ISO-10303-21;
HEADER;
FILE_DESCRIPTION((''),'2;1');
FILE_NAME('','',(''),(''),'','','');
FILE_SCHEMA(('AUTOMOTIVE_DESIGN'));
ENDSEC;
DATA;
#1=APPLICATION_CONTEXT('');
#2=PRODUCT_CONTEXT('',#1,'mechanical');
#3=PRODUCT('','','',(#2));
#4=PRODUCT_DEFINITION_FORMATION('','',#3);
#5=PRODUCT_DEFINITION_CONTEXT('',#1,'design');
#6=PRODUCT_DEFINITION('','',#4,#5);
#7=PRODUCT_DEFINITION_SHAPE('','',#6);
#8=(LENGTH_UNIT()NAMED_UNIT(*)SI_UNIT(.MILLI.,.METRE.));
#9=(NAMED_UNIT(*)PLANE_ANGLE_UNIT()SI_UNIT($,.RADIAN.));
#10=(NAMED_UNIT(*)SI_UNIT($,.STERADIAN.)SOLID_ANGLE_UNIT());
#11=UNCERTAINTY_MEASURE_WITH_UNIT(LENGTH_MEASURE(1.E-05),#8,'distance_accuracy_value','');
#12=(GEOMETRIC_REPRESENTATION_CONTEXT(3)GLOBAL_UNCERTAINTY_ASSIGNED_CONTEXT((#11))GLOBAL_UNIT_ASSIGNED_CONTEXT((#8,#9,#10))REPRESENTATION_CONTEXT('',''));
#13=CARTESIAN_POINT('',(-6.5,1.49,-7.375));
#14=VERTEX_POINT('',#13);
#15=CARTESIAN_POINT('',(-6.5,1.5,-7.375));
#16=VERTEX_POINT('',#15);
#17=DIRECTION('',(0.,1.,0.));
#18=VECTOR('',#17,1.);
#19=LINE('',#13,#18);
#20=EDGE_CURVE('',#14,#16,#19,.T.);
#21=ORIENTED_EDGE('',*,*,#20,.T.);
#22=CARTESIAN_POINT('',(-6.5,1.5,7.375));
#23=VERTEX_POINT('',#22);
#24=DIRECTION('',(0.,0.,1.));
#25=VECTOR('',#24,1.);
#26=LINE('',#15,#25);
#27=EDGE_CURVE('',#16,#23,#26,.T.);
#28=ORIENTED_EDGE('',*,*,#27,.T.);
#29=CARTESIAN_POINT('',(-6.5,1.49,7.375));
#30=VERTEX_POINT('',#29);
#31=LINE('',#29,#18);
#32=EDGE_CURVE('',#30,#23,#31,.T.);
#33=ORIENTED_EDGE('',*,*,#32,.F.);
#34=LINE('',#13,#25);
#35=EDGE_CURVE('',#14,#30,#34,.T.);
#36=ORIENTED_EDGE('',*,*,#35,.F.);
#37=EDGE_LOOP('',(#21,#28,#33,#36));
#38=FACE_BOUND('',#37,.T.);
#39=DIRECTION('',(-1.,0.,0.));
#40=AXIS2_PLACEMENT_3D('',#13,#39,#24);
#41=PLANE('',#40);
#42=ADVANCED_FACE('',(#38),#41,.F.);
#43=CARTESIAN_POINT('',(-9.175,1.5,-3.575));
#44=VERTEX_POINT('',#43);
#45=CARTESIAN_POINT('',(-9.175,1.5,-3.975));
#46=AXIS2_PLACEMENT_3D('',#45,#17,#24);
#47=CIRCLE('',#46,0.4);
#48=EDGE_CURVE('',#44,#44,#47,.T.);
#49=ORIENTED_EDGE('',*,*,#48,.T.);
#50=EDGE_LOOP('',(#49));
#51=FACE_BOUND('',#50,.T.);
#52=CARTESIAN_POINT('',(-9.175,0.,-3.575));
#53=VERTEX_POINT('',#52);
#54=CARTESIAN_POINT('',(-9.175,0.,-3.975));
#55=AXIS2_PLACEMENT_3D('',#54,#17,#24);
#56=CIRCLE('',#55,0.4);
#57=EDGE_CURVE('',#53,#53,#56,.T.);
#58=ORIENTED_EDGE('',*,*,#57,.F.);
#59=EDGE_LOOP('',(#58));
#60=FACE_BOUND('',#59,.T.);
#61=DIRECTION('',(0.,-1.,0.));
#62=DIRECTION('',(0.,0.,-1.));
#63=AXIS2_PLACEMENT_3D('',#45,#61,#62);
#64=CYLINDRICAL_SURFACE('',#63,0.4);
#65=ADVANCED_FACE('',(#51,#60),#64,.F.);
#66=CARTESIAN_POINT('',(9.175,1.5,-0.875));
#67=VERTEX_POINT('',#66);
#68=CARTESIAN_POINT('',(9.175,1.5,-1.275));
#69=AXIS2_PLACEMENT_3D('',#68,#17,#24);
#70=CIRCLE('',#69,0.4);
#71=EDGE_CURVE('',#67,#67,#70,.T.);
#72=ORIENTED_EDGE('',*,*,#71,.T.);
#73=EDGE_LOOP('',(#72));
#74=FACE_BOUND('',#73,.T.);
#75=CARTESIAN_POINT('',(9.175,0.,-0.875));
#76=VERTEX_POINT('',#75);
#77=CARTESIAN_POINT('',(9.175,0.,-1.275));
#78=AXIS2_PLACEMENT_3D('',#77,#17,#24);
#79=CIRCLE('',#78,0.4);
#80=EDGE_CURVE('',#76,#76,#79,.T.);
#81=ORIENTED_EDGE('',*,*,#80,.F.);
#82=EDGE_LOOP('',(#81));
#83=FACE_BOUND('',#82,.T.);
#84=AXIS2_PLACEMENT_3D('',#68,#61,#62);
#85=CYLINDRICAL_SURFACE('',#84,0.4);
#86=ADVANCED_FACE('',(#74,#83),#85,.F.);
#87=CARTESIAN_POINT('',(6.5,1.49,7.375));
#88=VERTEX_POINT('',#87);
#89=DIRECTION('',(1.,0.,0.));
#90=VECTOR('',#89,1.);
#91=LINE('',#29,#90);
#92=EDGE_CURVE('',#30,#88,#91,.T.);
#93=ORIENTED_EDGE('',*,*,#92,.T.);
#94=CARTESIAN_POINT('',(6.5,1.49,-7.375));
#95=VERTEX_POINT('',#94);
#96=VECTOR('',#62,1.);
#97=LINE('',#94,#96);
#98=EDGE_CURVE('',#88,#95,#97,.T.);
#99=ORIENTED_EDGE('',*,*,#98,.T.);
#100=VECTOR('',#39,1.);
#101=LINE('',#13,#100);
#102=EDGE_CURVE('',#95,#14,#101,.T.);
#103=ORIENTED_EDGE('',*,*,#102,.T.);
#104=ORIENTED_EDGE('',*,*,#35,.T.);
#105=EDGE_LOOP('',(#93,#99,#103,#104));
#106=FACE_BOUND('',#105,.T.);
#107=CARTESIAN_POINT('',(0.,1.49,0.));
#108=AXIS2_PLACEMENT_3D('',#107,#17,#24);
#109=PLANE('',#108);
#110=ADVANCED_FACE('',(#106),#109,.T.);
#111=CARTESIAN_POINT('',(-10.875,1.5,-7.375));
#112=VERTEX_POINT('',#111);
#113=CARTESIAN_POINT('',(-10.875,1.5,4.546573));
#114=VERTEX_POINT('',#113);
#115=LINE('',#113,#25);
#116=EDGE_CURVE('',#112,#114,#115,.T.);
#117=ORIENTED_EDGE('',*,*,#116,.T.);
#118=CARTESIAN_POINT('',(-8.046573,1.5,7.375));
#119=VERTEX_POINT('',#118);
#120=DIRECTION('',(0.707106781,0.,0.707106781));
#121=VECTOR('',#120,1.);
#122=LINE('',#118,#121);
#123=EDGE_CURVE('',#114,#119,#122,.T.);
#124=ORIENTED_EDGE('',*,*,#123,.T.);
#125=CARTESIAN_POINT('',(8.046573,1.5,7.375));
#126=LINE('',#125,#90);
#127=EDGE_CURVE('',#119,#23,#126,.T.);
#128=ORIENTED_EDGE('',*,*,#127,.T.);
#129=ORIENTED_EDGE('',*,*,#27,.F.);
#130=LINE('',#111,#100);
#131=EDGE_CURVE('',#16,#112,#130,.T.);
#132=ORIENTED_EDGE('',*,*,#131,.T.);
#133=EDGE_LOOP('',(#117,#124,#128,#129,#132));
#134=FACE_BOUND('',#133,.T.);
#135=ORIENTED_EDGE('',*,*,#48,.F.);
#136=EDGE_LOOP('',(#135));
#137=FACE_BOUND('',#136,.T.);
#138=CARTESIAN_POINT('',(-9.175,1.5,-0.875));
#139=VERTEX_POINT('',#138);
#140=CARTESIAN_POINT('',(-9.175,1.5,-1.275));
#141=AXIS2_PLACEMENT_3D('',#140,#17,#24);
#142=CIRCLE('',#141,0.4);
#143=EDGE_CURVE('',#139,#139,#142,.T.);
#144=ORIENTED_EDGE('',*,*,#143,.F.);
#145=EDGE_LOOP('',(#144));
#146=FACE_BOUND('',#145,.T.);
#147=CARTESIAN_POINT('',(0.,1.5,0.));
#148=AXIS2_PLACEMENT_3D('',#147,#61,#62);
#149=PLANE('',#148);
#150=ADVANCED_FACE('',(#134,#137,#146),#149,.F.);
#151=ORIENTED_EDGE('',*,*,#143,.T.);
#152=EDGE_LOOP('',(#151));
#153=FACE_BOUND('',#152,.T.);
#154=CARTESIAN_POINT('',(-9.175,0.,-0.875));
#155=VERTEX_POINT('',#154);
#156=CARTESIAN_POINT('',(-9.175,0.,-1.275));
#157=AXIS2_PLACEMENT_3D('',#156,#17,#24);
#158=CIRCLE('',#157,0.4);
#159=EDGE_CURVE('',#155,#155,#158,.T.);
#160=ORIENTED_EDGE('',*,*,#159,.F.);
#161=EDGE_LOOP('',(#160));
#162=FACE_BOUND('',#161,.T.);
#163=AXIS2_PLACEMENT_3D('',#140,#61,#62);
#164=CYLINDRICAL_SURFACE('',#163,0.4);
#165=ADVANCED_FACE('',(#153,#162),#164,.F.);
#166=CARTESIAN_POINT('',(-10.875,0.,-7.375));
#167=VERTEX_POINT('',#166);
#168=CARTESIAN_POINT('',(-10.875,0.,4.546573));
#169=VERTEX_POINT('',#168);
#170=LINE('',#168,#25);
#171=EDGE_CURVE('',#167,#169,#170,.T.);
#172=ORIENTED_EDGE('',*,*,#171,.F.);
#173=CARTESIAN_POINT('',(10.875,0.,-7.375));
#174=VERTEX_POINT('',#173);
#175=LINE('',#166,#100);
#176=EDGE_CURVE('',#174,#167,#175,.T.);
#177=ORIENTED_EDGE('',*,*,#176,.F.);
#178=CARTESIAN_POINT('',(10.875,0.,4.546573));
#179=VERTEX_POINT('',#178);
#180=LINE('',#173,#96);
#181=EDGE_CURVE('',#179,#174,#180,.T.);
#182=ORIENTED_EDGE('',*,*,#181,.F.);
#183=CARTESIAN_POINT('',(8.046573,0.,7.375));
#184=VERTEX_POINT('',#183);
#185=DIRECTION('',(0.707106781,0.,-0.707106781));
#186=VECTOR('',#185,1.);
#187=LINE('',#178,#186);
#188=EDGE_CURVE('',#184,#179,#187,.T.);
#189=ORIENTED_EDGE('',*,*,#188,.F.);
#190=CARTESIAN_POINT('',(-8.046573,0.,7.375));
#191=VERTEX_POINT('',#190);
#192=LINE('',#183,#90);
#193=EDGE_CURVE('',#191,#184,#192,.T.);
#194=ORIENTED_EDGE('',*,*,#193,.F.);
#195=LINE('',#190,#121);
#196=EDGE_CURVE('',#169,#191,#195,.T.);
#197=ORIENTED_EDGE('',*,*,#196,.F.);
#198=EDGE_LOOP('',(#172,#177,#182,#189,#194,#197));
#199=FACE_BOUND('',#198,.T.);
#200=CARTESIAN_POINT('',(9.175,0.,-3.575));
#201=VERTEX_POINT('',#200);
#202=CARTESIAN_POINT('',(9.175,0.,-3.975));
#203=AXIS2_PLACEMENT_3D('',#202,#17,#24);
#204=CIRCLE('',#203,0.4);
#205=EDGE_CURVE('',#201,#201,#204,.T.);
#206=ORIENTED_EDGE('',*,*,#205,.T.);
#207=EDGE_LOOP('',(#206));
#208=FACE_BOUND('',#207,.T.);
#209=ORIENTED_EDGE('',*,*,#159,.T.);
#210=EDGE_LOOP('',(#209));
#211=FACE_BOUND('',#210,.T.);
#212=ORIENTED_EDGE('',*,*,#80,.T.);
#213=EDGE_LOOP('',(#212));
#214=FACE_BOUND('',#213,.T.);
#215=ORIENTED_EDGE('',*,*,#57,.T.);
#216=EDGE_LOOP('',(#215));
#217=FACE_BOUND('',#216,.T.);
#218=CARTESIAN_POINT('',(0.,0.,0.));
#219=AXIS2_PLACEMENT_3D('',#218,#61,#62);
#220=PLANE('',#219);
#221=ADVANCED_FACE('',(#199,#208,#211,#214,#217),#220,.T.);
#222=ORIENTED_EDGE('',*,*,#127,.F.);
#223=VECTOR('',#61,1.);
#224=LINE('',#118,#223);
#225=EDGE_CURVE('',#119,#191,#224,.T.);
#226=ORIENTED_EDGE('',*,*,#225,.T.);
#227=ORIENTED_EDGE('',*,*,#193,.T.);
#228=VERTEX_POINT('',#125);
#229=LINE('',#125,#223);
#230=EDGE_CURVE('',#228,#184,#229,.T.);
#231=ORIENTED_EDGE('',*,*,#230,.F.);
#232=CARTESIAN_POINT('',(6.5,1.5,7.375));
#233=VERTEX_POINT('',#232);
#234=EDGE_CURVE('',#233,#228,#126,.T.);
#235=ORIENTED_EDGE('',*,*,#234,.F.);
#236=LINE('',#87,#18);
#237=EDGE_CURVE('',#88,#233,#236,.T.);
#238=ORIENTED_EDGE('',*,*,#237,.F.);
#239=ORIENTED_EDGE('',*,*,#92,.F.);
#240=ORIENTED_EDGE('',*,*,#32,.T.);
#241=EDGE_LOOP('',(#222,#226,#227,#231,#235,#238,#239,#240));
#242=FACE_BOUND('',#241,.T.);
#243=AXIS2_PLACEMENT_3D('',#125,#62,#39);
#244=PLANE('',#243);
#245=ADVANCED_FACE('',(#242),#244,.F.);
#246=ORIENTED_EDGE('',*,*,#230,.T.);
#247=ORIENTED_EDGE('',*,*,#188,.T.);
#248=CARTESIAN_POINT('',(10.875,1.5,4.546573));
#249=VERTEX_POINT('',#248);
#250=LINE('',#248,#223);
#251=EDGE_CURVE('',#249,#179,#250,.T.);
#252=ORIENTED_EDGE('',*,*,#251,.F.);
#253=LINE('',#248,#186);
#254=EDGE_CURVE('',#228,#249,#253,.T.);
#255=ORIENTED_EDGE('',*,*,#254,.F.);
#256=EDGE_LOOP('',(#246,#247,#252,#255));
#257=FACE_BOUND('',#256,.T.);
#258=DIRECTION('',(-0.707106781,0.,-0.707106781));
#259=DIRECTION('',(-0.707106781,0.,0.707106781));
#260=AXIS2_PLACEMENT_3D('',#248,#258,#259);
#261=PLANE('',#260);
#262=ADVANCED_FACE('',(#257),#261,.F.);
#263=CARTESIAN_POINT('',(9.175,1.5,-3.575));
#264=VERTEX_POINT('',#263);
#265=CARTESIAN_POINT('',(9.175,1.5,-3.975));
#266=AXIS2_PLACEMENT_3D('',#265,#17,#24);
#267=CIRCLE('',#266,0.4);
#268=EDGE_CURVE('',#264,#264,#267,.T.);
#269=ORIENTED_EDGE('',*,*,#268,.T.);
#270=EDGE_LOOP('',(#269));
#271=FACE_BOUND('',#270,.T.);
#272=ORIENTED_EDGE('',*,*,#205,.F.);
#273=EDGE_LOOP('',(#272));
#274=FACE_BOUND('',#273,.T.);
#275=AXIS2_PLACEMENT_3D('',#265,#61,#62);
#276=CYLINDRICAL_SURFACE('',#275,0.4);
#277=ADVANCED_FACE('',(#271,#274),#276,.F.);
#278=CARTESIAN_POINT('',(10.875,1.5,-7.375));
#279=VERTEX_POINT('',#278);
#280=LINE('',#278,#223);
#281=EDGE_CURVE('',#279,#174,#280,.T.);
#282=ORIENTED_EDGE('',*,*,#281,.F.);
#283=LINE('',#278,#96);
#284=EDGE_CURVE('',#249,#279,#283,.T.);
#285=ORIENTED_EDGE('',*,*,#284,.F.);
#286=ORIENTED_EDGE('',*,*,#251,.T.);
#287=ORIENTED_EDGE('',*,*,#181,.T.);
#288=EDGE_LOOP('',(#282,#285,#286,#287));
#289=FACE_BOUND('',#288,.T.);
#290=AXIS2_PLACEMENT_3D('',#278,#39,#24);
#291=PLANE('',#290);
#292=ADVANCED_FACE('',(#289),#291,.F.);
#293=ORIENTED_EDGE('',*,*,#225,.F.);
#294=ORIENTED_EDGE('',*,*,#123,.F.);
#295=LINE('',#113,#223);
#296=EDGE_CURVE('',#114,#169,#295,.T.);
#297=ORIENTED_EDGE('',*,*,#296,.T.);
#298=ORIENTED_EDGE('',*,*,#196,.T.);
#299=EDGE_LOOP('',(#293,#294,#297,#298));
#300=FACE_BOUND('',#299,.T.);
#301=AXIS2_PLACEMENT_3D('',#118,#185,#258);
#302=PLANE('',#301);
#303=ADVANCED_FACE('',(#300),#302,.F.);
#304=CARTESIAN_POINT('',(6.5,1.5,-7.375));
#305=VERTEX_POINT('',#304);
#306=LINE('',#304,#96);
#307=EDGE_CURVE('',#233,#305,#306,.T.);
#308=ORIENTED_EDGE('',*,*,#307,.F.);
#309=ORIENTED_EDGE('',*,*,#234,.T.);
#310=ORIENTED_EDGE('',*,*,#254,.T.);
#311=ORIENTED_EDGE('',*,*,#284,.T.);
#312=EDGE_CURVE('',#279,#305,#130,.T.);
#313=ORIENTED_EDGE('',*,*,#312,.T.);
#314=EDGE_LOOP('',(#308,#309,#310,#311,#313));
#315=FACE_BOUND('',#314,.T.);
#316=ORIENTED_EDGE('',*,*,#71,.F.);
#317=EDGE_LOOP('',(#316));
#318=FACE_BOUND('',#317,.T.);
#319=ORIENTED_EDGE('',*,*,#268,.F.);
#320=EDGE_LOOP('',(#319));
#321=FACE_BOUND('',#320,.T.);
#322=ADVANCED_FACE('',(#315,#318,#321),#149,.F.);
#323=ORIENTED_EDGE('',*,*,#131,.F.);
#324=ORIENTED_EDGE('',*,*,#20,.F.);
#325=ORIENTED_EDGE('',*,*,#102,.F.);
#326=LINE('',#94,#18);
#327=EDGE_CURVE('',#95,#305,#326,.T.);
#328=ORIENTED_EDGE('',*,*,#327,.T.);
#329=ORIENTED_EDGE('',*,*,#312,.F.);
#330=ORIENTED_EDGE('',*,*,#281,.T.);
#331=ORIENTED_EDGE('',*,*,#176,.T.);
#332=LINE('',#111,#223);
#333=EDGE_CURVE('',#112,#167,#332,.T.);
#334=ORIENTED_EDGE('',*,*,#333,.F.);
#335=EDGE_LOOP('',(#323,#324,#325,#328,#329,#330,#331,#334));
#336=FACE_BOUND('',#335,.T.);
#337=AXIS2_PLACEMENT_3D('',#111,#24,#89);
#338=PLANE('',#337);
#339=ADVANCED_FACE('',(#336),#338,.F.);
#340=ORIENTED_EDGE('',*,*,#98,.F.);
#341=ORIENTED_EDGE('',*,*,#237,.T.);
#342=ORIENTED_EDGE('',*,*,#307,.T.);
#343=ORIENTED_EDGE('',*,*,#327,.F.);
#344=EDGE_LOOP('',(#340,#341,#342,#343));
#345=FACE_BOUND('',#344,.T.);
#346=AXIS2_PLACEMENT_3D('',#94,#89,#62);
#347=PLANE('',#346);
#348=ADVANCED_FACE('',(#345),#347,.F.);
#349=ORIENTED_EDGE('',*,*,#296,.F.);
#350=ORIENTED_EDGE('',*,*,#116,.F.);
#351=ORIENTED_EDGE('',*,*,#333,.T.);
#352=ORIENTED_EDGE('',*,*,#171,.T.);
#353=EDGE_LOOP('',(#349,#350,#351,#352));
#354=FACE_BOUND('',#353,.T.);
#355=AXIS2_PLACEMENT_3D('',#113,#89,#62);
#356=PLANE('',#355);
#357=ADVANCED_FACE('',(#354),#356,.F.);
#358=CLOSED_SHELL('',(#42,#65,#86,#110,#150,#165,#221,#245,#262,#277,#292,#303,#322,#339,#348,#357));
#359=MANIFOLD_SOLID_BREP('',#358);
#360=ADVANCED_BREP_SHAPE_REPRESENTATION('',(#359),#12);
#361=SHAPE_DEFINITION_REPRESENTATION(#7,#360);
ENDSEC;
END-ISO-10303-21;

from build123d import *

# Parameters (mm, degrees)
ESQUISSE1_R             = 0.4
BOSS_EXTRU_1_DEPTH      = 1.5
ESQUISSE2_W             = 13
ESQUISSE2_H             = 14.75
ENL_V_MAT_EXTRU_1_DEPTH = 0.01


with BuildPart() as part:
    # Esquisse1 → Boss.-Extru.1 (new body)
    with BuildSketch(Plane(origin=(0, 0, 0), x_dir=(1, 0, 0), z_dir=(0, 1, 0))):
        Polygon((-10.875, 7.375), (10.875, 7.375), (10.875, -4.546572875), (8.046572875, -7.375), (-8.046572875, -7.375), (-10.875, -4.546572875), align=None)
        with Locations(Location((-9.175, 1.275, 0), (0, 0, 270))):
            Circle(ESQUISSE1_R, mode=Mode.SUBTRACT)
        with Locations(Location((-9.175, 3.975, 0), (0, 0, 270))):
            Circle(ESQUISSE1_R, mode=Mode.SUBTRACT)
        with Locations(Location((9.175, 1.275, 0), (0, 0, 270))):
            Circle(ESQUISSE1_R, mode=Mode.SUBTRACT)
        with Locations(Location((9.175, 3.975, 0), (0, 0, 270))):
            Circle(ESQUISSE1_R, mode=Mode.SUBTRACT)
    extrude(amount=BOSS_EXTRU_1_DEPTH)

    # Esquisse2 → Enlèv. mat.-Extru.1 (cut)
    with BuildSketch(Plane(origin=(0, 1.5, 0), x_dir=(1, 0, 0), z_dir=(0, 1, 0))):
        Rectangle(ESQUISSE2_W, ESQUISSE2_H)
    extrude(amount=-ENL_V_MAT_EXTRU_1_DEPTH, mode=Mode.SUBTRACT)


solid = part.part
